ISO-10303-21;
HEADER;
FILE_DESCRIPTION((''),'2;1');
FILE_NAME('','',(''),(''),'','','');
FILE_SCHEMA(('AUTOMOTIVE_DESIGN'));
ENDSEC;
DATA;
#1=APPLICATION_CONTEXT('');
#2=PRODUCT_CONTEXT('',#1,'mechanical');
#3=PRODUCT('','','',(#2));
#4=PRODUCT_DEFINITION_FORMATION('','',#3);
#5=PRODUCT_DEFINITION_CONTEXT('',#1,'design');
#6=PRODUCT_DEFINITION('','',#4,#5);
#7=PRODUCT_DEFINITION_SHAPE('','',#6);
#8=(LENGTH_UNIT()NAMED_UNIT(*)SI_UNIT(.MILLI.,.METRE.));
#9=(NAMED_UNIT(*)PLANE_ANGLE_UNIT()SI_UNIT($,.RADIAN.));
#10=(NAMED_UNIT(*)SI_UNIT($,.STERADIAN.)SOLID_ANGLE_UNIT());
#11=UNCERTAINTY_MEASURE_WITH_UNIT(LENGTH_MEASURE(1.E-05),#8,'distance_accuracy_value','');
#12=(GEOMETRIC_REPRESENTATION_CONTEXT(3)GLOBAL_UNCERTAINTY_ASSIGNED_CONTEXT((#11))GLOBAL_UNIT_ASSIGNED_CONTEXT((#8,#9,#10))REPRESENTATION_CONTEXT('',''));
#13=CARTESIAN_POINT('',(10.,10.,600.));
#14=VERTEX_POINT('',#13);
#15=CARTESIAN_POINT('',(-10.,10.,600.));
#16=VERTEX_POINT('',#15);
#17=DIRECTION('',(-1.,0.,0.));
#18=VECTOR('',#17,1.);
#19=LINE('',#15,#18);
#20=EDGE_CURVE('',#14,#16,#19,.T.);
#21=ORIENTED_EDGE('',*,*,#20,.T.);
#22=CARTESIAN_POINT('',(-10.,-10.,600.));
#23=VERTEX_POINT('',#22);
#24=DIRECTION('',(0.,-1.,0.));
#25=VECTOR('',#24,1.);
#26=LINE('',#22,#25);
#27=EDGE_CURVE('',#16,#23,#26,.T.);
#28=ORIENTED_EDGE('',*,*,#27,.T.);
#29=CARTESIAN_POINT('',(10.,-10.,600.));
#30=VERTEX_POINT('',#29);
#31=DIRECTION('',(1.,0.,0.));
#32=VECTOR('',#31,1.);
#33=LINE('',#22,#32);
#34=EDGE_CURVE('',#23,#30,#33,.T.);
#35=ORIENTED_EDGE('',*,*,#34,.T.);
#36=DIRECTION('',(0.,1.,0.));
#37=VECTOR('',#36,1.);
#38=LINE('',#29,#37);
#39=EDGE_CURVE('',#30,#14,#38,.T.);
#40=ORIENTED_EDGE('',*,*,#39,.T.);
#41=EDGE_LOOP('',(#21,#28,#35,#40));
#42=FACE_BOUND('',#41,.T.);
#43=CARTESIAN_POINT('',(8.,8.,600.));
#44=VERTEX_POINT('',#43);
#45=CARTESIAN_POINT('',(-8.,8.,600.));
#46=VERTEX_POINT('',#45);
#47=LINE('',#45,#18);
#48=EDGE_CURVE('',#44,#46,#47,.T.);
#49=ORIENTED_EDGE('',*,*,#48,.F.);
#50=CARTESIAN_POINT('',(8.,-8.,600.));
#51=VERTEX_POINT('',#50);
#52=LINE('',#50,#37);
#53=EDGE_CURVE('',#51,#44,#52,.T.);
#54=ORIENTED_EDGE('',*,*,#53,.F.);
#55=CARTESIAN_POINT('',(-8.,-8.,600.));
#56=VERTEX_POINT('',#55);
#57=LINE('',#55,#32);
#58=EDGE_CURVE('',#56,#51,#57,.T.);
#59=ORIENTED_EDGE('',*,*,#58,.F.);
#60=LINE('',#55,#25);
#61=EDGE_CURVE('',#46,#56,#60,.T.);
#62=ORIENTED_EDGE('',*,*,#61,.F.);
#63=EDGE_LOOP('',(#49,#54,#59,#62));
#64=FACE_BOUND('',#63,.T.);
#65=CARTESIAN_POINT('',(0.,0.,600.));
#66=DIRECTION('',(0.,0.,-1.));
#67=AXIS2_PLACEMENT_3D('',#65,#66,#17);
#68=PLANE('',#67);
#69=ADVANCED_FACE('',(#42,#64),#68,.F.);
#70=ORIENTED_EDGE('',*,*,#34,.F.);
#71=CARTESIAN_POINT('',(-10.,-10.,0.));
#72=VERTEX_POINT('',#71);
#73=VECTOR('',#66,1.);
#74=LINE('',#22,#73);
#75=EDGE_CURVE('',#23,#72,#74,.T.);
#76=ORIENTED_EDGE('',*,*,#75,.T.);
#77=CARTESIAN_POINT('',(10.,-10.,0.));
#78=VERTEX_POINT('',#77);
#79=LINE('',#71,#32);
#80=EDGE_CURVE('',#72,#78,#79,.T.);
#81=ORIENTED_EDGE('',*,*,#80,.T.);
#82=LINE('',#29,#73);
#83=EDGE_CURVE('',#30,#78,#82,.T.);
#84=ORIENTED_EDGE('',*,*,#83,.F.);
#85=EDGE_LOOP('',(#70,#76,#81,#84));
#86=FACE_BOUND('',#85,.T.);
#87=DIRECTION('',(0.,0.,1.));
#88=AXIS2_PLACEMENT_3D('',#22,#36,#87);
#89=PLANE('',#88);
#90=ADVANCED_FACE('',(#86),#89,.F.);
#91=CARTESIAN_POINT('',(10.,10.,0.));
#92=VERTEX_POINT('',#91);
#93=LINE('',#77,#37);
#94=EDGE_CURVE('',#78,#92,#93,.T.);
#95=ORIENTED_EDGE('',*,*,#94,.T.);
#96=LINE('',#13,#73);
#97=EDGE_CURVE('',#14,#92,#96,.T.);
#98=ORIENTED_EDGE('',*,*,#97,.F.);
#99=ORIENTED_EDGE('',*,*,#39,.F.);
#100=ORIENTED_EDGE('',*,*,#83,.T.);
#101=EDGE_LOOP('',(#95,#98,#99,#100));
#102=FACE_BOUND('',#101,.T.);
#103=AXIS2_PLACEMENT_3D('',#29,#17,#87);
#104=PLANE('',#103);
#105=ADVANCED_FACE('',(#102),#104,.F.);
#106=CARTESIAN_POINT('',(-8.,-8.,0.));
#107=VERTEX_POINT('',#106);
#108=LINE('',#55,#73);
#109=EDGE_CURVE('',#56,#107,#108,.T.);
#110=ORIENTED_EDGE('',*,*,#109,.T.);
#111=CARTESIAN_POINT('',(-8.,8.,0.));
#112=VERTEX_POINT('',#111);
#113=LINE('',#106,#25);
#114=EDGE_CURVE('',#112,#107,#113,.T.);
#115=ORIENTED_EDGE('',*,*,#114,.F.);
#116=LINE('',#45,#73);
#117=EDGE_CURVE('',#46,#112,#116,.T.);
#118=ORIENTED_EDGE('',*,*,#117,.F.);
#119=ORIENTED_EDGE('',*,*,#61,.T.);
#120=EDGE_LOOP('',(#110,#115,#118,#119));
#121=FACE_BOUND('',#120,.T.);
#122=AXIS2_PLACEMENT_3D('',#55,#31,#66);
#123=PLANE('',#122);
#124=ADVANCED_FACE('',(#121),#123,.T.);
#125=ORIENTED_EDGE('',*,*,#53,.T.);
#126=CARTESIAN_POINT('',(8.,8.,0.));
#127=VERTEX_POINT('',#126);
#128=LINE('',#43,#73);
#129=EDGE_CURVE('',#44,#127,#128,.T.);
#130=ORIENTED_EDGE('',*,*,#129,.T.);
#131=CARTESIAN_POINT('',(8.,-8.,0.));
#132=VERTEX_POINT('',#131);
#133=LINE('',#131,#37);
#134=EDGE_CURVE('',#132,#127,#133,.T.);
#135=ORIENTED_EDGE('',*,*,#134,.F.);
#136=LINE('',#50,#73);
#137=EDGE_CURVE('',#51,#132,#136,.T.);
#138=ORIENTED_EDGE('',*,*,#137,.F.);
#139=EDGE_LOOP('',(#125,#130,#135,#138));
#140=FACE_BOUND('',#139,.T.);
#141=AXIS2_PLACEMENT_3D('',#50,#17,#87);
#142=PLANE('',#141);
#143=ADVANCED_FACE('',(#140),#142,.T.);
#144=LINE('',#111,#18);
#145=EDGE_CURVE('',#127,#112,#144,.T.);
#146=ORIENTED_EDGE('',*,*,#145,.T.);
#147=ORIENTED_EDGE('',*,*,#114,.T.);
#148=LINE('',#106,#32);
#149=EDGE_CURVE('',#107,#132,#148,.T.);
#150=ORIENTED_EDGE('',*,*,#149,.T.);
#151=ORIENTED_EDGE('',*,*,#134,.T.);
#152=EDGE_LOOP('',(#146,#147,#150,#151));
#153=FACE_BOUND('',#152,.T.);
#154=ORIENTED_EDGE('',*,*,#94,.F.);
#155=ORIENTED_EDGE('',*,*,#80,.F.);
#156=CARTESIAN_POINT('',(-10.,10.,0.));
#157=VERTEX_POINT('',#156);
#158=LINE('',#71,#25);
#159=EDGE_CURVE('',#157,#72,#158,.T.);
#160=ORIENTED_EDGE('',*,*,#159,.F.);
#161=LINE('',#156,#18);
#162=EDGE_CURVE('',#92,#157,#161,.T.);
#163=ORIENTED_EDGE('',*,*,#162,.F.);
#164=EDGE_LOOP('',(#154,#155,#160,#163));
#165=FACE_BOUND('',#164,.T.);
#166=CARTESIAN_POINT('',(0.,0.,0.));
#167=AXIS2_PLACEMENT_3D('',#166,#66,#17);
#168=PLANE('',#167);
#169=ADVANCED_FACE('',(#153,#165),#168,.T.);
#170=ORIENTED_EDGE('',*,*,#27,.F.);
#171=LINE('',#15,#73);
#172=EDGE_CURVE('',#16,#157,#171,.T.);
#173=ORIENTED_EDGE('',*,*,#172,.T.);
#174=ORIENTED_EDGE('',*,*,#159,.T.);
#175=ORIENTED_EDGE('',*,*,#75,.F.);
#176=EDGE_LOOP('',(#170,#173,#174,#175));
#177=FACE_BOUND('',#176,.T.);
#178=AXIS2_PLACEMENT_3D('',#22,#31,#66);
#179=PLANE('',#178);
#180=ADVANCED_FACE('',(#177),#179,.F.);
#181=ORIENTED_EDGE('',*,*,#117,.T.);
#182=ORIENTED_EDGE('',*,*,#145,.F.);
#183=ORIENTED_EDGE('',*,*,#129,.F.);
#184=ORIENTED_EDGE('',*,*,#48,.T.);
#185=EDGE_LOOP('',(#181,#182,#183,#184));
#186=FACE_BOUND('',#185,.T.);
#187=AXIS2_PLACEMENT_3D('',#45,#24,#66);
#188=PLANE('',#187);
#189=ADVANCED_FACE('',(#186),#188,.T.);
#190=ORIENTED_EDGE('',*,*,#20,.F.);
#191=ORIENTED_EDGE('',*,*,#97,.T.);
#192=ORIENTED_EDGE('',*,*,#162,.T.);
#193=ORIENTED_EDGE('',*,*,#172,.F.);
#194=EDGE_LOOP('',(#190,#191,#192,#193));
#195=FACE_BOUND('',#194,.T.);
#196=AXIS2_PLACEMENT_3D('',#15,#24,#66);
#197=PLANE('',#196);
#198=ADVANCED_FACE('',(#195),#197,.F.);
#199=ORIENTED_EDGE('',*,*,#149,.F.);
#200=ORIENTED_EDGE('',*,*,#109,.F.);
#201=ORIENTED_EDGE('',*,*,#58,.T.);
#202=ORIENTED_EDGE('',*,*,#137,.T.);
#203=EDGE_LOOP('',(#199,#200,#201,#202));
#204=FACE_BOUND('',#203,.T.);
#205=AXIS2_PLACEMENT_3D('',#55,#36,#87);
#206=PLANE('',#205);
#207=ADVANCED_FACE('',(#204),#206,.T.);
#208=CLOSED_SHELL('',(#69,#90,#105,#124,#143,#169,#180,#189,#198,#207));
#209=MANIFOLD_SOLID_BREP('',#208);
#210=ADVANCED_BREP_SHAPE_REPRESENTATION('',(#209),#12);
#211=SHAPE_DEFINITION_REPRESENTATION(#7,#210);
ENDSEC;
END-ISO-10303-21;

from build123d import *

# Parameters (mm, degrees)
SKETCH_1_W      = 20
SKETCH_1_H      = 20
SKETCH_1_W_2    = 16
SKETCH_1_H_2    = 16
EXTRUDE_1_DEPTH = 600


with BuildPart() as part:
    # 草图1 → 凸台-拉伸1 (new body)
    with BuildSketch(Plane.XY):
        Rectangle(SKETCH_1_W, SKETCH_1_H)
        Rectangle(SKETCH_1_W_2, SKETCH_1_H_2, mode=Mode.SUBTRACT)
    extrude(amount=EXTRUDE_1_DEPTH)


solid = part.part
